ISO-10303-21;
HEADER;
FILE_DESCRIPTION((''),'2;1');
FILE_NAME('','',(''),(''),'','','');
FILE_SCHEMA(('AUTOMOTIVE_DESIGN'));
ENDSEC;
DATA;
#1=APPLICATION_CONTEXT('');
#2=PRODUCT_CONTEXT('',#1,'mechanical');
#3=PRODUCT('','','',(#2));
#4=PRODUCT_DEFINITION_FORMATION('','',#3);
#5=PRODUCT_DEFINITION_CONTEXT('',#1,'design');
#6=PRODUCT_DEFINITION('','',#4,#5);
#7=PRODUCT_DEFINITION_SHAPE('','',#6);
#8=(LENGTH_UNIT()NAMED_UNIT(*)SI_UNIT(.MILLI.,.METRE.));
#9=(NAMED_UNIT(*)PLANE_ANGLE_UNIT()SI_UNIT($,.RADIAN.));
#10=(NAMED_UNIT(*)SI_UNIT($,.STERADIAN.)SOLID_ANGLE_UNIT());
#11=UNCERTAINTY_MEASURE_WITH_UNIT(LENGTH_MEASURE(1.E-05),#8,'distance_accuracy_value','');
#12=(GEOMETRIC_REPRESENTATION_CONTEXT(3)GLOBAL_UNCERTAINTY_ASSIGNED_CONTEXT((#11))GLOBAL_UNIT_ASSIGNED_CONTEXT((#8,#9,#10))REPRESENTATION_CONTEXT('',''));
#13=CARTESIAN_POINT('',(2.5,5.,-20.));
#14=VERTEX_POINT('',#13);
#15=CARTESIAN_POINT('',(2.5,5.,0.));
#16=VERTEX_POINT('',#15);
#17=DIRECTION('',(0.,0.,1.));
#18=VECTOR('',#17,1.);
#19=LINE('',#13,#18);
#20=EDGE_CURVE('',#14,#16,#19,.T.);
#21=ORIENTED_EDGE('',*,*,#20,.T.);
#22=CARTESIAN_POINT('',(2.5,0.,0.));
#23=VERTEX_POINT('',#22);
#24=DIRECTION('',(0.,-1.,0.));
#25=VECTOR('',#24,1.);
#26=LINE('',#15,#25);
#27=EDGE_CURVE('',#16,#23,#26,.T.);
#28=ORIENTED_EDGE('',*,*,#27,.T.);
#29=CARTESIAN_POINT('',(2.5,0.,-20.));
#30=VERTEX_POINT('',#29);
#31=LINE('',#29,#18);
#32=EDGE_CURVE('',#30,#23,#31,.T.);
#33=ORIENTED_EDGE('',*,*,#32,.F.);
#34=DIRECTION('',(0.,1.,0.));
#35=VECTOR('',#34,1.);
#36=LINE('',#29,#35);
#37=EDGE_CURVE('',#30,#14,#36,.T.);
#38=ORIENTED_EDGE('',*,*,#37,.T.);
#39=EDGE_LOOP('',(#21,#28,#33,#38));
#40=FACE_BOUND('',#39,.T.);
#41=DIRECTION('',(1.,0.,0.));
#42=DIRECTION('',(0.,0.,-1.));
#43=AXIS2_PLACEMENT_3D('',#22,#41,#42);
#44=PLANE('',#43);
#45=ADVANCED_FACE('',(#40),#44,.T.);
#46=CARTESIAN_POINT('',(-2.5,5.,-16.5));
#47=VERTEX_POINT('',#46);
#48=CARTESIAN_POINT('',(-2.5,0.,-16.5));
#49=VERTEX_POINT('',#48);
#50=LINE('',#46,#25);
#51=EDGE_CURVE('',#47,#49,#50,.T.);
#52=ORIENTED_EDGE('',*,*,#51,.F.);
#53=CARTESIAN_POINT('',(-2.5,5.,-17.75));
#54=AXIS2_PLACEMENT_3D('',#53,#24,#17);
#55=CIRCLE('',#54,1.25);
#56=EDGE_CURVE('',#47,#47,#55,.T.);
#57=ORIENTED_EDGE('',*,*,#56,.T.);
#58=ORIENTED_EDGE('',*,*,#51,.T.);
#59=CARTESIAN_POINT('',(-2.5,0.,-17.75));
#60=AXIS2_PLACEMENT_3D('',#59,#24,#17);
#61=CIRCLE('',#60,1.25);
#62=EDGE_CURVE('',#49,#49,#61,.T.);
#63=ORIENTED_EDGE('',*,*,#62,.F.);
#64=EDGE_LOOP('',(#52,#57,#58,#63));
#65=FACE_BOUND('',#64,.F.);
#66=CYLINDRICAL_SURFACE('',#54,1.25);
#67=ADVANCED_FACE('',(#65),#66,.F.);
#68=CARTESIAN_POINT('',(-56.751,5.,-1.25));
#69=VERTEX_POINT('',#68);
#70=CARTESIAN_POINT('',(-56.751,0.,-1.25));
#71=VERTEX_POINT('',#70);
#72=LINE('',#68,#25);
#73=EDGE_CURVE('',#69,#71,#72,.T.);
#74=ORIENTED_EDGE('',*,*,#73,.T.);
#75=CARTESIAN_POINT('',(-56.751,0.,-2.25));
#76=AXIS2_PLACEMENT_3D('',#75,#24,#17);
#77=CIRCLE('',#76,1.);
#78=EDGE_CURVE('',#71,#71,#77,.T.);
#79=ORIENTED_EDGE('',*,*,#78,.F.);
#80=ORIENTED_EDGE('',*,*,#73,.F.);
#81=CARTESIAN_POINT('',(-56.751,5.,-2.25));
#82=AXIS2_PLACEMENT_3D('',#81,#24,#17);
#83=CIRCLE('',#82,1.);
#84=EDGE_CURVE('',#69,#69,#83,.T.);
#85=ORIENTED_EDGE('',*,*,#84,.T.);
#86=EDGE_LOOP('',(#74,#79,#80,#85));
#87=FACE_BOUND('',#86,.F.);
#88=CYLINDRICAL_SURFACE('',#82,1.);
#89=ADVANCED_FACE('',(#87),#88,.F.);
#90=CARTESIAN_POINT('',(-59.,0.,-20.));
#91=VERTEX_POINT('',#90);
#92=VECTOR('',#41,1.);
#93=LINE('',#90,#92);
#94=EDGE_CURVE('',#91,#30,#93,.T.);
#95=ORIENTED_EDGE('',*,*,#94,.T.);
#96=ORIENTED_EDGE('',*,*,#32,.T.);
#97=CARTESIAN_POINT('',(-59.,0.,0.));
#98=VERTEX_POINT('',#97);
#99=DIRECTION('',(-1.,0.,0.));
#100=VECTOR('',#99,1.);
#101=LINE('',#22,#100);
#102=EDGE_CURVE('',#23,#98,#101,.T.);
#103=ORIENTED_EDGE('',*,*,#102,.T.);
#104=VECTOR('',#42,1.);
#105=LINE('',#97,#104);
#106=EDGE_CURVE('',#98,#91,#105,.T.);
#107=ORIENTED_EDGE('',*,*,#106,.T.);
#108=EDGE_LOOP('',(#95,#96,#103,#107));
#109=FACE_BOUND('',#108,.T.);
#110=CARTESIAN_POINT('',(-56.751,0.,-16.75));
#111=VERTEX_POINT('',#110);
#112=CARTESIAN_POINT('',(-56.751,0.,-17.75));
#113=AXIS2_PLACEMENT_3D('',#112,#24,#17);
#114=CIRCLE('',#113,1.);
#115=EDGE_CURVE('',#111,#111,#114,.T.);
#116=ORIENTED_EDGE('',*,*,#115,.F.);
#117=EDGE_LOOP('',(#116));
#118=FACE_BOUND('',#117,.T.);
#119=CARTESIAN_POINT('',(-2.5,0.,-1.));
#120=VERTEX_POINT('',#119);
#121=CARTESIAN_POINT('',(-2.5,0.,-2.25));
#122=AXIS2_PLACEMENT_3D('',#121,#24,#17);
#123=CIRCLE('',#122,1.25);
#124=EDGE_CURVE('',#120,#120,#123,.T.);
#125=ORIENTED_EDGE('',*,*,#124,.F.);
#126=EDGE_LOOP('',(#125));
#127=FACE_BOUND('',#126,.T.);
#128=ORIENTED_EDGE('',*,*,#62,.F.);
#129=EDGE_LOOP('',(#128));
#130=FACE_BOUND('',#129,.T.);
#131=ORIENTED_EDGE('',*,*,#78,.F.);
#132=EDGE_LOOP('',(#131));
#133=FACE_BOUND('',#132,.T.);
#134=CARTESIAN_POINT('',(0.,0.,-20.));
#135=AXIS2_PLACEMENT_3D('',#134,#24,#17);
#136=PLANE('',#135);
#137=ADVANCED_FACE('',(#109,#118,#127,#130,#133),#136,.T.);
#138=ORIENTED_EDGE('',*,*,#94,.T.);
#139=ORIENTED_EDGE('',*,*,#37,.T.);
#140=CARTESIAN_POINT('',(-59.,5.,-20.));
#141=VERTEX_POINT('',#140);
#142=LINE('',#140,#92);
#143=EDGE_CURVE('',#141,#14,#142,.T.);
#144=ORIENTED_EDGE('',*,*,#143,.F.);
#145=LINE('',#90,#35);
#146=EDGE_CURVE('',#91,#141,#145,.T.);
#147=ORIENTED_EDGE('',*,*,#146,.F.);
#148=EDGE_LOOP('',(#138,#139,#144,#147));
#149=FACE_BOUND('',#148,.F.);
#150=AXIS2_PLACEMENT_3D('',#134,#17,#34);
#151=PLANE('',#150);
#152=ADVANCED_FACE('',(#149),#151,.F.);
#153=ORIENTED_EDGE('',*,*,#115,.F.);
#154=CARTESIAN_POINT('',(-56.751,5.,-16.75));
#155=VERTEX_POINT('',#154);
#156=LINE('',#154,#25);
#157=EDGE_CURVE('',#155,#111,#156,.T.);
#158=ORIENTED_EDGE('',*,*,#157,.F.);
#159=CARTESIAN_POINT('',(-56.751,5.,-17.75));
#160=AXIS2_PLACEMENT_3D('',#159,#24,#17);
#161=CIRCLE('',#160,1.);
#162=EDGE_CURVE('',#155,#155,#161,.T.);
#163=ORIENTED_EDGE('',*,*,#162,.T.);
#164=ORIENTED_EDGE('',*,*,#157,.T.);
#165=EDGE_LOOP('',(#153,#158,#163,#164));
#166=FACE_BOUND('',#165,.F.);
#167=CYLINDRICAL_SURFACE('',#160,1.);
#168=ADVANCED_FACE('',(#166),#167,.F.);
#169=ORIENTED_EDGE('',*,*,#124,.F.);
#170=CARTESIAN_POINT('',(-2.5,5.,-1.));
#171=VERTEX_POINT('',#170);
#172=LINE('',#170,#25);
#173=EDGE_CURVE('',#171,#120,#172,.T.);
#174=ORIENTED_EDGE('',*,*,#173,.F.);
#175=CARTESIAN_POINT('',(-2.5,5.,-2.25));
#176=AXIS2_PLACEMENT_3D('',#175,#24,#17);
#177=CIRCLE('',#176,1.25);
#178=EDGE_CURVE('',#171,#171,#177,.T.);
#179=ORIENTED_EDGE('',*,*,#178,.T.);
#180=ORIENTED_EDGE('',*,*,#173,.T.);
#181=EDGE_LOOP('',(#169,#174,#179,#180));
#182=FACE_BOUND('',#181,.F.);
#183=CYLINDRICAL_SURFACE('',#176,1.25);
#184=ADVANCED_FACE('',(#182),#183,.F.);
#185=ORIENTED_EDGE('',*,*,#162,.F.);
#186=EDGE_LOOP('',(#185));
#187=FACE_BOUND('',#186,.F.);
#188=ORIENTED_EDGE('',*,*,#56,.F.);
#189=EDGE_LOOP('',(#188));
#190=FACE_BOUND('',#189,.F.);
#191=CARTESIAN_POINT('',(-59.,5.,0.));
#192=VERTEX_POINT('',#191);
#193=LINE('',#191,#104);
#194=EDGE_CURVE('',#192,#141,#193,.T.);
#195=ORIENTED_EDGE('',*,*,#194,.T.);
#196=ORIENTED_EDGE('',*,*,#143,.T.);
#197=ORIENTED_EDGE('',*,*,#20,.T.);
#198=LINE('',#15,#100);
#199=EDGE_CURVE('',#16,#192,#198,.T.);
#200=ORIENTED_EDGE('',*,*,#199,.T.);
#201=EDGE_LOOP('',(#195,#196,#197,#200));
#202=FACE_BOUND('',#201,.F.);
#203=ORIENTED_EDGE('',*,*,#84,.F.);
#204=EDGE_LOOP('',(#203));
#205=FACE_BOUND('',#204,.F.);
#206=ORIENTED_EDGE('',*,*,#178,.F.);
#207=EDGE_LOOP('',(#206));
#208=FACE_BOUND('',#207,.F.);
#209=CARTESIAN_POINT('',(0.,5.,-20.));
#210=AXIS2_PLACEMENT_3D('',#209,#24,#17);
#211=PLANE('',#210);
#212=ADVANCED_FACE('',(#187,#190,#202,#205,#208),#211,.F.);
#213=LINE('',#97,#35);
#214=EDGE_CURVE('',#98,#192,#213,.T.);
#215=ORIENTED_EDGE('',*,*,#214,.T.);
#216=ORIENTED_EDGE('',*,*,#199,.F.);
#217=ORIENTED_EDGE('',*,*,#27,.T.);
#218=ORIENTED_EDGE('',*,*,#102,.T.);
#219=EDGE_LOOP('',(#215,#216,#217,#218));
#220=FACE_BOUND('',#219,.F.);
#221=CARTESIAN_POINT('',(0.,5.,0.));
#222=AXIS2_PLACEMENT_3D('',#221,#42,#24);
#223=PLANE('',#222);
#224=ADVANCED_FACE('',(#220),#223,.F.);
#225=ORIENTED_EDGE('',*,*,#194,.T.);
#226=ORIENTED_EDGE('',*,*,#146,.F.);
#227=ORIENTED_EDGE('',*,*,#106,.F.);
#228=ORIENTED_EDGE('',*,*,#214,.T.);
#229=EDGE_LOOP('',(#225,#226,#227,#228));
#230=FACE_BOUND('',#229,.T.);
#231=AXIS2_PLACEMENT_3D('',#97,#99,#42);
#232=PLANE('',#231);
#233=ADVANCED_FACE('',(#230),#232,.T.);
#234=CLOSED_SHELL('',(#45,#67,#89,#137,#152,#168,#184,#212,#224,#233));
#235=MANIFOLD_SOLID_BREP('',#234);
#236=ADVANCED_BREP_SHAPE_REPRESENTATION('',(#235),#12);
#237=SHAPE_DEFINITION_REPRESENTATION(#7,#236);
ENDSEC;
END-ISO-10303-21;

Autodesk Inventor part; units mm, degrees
ref_plane "YZ Plane" through (0, 0, 0) normal (1, 0, 0) x (0, 1, 0)
ref_plane "XZ Plane" through (0, 0, 0) normal (0, 1, 0) x (-1, 0, 0)
ref_plane "XY Plane" through (0, 0, 0) normal (0, 0, 1) x (1, 0, 0)
sketch "Skizze1" plane through (0, 0, 0) normal (0, 1, 0) x (-1, 0, 0)
  line L0 (0, 0) -> (59, 0)
  line L1 (59, 0) -> (59, -20)
  line L2 (59, -20) -> (0, -20)
  line L3 (0, -20) -> (0, 0)
  dimension "d0" = 59
  dimension "d1" = 20
extrude "Extrusion1" add sketch "Skizze1" along normal blind 5
sketch "Skizze2" plane through (0, 5, 0) normal (0, 1, 0) x (1, 0, 0)
  point P0 (0, 0)
sketch "Skizze3" plane through (0, 5, 0) normal (0, 1, 0) x (1, 0, 0)
  line L0 (0, 0) -> (0, 20) projected
  line L1 (0, 0) -> (-2.5, 0)
  line L2 (-59, 0) -> (0, 0) projected
  line L3 (-2.5, 0) -> (-2.5, 2.25)
  line L4 (-2.5, 2.25) -> (-2.5, 17.75)
  dimension "d4" = 2.5
  dimension "d5" = 2.25
  dimension "d6" = 15.5
hole "Bohrung1" at (-2.5, 5, -2.25) at (-2.5, 5, -17.75) direction (0, -1, 0) diameter 2.5 end through all
sketch "Skizze4" plane through (0, 5, 0) normal (0, 1, 0) x (1, 0, 0)
  line L0 (-59, 0) -> (0, 0) projected
  line L1 (-58.751, 0) -> (-56.751, 0)
  line L2 (-56.751, 0) -> (-59.001, 0)
  line L3 (-56.751, 0) -> (-56.751, 2.25)
  line L4 (-56.751, 2.25) -> (-56.751, 17.75)
  dimension "d14" = 2
  dimension "d16" = 2.25
  dimension "d17" = 15.5
hole "Bohrung2" at (-56.751, 5, -2.25) at (-56.751, 5, -17.75) direction (0, -1, 0) diameter 2 end through all
sketch "Skizze5" plane through (0, 0, 0) normal (1, 0, 0) x (0, 0, -1)
  line L0 (20, 0) -> (0, 0) projected
  line L1 (0, 0) -> (20, 0)
  line L2 (20, 0) -> (20, 5)
  line L3 (20, 5) -> (0, 5)
  line L4 (0, 5) -> (0, 0)
extrude "Extrusion2" add sketch "Skizze5" along normal blind 2.5
properties part number "Sensor_Halterung_Teil2ipt" material "Holz (Eiche)"
